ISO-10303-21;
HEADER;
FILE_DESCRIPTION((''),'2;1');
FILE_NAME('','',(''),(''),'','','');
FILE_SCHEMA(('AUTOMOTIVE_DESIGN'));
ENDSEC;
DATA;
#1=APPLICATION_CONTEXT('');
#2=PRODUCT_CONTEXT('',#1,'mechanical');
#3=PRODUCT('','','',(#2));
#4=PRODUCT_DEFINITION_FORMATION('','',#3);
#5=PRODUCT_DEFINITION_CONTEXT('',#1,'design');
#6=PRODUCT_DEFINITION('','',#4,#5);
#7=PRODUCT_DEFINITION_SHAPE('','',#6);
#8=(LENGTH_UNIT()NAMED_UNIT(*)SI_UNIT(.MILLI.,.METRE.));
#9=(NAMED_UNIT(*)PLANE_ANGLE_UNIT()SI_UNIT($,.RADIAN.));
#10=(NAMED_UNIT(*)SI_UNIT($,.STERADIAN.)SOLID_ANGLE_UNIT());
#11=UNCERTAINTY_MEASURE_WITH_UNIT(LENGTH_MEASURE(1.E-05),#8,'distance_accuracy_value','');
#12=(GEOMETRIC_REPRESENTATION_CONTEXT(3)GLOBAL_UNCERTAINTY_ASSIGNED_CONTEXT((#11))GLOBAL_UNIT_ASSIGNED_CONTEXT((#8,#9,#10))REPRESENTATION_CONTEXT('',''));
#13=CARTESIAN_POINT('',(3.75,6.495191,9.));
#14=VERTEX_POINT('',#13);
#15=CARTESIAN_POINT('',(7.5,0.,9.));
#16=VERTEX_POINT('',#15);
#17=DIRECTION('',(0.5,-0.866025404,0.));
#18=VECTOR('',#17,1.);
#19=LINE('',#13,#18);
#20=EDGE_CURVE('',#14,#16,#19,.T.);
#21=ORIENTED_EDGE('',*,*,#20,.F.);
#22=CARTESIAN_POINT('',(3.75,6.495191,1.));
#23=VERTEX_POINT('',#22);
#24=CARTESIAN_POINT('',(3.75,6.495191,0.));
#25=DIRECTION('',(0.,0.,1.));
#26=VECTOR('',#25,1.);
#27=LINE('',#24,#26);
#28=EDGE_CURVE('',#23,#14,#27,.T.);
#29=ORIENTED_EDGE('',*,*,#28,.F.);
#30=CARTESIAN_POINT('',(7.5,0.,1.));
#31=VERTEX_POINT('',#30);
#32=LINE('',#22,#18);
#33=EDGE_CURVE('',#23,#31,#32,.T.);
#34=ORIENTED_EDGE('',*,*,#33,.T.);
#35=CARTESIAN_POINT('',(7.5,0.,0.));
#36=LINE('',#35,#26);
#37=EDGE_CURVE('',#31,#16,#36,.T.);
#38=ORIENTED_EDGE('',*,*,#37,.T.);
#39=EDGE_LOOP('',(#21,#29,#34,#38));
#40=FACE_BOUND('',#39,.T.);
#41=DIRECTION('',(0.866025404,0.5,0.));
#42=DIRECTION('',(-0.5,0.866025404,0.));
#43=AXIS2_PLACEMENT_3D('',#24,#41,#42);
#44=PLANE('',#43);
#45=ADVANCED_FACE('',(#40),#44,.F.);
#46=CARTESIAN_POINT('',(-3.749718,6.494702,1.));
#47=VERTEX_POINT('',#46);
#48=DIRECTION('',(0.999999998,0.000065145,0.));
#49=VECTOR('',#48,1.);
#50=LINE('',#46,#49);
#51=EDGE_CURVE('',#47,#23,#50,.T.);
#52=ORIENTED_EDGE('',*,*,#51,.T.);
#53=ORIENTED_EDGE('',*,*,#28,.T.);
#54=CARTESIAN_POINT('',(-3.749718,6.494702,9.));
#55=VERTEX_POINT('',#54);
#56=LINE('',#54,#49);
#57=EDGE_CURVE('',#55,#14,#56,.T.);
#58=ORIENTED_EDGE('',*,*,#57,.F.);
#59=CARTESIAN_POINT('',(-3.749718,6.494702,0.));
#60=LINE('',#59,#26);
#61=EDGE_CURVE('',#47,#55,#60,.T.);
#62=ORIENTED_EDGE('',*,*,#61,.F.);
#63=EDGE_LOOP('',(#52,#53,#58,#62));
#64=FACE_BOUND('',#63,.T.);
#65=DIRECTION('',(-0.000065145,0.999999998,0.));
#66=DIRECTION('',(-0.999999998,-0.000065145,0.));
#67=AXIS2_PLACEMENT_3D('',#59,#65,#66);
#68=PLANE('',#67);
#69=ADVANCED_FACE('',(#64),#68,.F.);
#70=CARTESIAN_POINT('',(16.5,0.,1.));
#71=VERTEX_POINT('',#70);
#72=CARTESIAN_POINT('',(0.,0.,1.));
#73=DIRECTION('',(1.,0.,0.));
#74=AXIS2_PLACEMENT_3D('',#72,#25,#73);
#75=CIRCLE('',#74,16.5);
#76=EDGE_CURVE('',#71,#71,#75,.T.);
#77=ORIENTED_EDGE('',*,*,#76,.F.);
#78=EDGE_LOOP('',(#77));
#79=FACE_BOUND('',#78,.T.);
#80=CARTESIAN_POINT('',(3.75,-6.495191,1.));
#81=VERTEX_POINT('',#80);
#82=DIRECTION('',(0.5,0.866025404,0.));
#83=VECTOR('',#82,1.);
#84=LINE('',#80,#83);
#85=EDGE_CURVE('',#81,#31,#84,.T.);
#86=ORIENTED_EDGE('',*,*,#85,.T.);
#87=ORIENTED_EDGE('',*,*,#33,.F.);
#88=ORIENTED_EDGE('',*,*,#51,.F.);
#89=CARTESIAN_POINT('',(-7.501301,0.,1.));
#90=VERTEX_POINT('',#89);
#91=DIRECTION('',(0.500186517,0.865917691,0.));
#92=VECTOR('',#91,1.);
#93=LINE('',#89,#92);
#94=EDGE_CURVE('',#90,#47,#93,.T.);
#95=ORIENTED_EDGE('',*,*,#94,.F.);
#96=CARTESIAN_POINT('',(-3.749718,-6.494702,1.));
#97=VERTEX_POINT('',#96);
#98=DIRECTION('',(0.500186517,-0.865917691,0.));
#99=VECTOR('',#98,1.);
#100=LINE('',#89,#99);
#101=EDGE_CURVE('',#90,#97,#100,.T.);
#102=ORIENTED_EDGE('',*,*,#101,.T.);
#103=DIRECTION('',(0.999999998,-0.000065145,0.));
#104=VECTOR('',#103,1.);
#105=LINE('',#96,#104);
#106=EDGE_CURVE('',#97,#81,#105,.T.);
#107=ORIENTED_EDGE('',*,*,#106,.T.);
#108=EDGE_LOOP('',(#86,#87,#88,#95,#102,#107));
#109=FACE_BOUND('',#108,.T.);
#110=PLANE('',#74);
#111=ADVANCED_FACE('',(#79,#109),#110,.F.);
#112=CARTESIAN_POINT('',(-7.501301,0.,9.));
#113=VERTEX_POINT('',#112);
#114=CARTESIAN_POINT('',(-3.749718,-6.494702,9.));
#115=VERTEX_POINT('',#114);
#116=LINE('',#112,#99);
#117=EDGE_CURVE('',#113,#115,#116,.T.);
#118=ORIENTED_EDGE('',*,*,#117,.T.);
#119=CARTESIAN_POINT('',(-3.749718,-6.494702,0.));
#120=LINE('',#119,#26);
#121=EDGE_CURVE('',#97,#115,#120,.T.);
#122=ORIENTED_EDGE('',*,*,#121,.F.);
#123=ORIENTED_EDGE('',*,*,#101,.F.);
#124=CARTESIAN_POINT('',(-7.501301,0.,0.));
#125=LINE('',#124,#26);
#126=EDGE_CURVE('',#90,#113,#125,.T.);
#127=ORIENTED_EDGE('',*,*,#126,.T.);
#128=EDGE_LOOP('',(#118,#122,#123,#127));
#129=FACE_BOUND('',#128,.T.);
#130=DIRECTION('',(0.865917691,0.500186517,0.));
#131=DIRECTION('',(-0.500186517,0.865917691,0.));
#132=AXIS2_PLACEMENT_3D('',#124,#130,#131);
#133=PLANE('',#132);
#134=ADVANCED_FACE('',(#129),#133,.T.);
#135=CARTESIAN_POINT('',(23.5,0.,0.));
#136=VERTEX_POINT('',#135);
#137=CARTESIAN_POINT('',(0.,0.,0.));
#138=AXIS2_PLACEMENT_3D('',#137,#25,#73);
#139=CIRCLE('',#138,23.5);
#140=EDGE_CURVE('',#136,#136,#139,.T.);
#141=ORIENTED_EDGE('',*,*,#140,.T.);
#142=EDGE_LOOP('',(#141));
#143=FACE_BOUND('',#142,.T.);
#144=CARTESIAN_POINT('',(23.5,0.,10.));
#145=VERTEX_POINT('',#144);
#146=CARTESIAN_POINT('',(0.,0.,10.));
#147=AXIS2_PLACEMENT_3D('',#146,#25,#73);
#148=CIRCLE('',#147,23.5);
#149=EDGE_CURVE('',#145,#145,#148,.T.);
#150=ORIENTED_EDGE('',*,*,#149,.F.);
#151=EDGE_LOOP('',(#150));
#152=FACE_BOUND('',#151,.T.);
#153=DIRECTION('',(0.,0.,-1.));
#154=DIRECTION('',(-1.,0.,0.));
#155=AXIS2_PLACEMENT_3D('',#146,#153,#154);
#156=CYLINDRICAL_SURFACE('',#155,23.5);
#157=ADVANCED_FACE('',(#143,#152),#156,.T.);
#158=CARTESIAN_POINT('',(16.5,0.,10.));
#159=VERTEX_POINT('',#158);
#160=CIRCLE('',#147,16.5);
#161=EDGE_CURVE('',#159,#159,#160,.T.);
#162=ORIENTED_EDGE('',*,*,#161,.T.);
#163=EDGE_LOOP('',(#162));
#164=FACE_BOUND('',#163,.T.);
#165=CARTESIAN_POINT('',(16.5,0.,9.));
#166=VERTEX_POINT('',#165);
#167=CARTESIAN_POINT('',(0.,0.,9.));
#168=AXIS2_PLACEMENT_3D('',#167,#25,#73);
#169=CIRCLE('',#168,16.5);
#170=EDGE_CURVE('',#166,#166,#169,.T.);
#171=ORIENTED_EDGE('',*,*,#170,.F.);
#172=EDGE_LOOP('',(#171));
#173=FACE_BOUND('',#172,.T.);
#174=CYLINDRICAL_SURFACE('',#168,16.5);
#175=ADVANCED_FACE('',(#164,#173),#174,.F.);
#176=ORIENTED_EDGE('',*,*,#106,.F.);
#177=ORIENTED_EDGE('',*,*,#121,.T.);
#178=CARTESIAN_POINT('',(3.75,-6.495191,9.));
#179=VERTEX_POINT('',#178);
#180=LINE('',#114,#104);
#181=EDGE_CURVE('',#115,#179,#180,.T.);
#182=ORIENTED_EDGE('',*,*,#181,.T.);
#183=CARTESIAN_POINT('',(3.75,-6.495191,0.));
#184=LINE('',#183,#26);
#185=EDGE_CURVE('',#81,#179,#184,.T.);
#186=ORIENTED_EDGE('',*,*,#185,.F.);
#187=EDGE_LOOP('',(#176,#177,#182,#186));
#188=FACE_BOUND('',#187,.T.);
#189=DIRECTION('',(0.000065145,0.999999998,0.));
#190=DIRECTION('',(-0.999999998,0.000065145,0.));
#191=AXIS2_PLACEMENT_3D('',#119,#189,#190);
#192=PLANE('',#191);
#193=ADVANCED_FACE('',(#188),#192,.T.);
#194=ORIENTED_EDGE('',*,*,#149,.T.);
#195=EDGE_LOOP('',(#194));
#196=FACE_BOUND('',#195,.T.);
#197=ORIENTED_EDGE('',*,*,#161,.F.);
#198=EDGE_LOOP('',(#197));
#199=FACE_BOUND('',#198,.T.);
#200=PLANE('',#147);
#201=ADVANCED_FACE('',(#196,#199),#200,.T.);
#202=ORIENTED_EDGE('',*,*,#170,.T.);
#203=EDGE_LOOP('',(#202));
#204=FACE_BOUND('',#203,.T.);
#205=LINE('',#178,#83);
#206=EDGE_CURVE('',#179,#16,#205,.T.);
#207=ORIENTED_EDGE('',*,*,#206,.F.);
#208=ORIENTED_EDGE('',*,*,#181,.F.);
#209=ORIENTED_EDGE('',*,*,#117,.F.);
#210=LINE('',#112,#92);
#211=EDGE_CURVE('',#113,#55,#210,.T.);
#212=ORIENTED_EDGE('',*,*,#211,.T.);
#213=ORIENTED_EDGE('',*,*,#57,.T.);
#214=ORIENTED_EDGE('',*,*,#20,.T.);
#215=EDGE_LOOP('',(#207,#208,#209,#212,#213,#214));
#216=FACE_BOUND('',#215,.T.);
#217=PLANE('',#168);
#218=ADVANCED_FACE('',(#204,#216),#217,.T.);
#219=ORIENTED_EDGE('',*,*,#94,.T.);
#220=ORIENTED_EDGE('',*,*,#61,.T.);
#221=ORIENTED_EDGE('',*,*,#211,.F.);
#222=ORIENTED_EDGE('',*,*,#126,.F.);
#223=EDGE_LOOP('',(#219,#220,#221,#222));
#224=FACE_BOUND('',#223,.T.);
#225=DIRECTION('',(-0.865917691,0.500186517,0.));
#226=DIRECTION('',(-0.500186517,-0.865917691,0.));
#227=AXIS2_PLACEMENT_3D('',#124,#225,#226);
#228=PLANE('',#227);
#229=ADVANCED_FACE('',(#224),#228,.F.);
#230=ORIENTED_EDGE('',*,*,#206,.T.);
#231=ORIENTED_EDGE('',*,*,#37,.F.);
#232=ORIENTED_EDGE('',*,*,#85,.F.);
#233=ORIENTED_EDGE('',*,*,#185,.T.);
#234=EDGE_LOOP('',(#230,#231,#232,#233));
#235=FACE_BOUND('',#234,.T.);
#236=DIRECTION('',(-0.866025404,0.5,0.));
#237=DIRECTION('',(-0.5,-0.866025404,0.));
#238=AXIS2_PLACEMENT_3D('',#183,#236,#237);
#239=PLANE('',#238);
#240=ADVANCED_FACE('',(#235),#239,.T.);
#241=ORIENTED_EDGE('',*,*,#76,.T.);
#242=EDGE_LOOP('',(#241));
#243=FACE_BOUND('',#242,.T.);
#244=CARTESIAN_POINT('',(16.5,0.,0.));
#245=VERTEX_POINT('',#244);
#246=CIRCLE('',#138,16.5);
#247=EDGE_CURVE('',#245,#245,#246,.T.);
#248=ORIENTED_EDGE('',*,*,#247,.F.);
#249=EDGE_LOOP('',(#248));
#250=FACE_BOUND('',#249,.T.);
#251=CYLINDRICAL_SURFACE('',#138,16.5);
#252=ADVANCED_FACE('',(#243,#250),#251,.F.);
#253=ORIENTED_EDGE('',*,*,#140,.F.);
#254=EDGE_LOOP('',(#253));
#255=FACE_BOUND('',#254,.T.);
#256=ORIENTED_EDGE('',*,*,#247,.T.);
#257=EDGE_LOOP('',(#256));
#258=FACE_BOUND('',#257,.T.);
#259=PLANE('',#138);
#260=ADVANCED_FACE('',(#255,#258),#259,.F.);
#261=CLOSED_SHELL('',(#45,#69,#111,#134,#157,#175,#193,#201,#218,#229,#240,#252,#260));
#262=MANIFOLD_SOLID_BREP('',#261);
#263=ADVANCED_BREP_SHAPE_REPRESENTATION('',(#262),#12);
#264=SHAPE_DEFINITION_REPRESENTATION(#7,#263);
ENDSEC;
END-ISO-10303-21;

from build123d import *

# Parameters (mm, degrees)
ESQUISSE1_R                = 23.5
BOSS_EXTRU_1_DEPTH         = 10
ENL_V_MAT_EXTRU_1_DEPTH    = 10
ESQUISSE4_R                = 16.5
ENL_V_MAT_EXTRU_2_DEPTH    = 1
R_P_TITION_LIN_AIRE1_COUNT = 2
R_P_TITION_LIN_AIRE1_PITCH = 9


with BuildPart() as part:
    # Esquisse1 → Boss.-Extru.1 (new body)
    with BuildSketch(Plane.XY):
        Circle(ESQUISSE1_R)
    extrude(amount=BOSS_EXTRU_1_DEPTH)

    # Esquisse3 → Enlèv. mat.-Extru.1 (cut)
    with BuildSketch(Plane.XY.offset(10)):
        Polygon((-7.501301233, 0), (-3.749717926, 6.494701961), (3.75, 6.495190528), (7.5, 0), align=None)
    enl_v_mat_extru_1 = extrude(amount=-ENL_V_MAT_EXTRU_1_DEPTH, mode=Mode.SUBTRACT)

    # Symétrie1: Enlèv. mat.-Extru.1 across plane
    add(enl_v_mat_extru_1.mirror(Plane.ZX), mode=Mode.SUBTRACT)

    # Esquisse4 → Enlèv. mat.-Extru.2 (cut)
    with BuildSketch(Plane.XY.offset(10)):
        Circle(ESQUISSE4_R)
    enl_v_mat_extru_2 = extrude(amount=-ENL_V_MAT_EXTRU_2_DEPTH, mode=Mode.SUBTRACT)

    # Répétition linéaire1: Enlèv. mat.-Extru.2 ×2
    with Locations(*[(0, 0, -i * R_P_TITION_LIN_AIRE1_PITCH) for i in range(1, R_P_TITION_LIN_AIRE1_COUNT)]):
        add(enl_v_mat_extru_2, mode=Mode.SUBTRACT)


solid = part.part
